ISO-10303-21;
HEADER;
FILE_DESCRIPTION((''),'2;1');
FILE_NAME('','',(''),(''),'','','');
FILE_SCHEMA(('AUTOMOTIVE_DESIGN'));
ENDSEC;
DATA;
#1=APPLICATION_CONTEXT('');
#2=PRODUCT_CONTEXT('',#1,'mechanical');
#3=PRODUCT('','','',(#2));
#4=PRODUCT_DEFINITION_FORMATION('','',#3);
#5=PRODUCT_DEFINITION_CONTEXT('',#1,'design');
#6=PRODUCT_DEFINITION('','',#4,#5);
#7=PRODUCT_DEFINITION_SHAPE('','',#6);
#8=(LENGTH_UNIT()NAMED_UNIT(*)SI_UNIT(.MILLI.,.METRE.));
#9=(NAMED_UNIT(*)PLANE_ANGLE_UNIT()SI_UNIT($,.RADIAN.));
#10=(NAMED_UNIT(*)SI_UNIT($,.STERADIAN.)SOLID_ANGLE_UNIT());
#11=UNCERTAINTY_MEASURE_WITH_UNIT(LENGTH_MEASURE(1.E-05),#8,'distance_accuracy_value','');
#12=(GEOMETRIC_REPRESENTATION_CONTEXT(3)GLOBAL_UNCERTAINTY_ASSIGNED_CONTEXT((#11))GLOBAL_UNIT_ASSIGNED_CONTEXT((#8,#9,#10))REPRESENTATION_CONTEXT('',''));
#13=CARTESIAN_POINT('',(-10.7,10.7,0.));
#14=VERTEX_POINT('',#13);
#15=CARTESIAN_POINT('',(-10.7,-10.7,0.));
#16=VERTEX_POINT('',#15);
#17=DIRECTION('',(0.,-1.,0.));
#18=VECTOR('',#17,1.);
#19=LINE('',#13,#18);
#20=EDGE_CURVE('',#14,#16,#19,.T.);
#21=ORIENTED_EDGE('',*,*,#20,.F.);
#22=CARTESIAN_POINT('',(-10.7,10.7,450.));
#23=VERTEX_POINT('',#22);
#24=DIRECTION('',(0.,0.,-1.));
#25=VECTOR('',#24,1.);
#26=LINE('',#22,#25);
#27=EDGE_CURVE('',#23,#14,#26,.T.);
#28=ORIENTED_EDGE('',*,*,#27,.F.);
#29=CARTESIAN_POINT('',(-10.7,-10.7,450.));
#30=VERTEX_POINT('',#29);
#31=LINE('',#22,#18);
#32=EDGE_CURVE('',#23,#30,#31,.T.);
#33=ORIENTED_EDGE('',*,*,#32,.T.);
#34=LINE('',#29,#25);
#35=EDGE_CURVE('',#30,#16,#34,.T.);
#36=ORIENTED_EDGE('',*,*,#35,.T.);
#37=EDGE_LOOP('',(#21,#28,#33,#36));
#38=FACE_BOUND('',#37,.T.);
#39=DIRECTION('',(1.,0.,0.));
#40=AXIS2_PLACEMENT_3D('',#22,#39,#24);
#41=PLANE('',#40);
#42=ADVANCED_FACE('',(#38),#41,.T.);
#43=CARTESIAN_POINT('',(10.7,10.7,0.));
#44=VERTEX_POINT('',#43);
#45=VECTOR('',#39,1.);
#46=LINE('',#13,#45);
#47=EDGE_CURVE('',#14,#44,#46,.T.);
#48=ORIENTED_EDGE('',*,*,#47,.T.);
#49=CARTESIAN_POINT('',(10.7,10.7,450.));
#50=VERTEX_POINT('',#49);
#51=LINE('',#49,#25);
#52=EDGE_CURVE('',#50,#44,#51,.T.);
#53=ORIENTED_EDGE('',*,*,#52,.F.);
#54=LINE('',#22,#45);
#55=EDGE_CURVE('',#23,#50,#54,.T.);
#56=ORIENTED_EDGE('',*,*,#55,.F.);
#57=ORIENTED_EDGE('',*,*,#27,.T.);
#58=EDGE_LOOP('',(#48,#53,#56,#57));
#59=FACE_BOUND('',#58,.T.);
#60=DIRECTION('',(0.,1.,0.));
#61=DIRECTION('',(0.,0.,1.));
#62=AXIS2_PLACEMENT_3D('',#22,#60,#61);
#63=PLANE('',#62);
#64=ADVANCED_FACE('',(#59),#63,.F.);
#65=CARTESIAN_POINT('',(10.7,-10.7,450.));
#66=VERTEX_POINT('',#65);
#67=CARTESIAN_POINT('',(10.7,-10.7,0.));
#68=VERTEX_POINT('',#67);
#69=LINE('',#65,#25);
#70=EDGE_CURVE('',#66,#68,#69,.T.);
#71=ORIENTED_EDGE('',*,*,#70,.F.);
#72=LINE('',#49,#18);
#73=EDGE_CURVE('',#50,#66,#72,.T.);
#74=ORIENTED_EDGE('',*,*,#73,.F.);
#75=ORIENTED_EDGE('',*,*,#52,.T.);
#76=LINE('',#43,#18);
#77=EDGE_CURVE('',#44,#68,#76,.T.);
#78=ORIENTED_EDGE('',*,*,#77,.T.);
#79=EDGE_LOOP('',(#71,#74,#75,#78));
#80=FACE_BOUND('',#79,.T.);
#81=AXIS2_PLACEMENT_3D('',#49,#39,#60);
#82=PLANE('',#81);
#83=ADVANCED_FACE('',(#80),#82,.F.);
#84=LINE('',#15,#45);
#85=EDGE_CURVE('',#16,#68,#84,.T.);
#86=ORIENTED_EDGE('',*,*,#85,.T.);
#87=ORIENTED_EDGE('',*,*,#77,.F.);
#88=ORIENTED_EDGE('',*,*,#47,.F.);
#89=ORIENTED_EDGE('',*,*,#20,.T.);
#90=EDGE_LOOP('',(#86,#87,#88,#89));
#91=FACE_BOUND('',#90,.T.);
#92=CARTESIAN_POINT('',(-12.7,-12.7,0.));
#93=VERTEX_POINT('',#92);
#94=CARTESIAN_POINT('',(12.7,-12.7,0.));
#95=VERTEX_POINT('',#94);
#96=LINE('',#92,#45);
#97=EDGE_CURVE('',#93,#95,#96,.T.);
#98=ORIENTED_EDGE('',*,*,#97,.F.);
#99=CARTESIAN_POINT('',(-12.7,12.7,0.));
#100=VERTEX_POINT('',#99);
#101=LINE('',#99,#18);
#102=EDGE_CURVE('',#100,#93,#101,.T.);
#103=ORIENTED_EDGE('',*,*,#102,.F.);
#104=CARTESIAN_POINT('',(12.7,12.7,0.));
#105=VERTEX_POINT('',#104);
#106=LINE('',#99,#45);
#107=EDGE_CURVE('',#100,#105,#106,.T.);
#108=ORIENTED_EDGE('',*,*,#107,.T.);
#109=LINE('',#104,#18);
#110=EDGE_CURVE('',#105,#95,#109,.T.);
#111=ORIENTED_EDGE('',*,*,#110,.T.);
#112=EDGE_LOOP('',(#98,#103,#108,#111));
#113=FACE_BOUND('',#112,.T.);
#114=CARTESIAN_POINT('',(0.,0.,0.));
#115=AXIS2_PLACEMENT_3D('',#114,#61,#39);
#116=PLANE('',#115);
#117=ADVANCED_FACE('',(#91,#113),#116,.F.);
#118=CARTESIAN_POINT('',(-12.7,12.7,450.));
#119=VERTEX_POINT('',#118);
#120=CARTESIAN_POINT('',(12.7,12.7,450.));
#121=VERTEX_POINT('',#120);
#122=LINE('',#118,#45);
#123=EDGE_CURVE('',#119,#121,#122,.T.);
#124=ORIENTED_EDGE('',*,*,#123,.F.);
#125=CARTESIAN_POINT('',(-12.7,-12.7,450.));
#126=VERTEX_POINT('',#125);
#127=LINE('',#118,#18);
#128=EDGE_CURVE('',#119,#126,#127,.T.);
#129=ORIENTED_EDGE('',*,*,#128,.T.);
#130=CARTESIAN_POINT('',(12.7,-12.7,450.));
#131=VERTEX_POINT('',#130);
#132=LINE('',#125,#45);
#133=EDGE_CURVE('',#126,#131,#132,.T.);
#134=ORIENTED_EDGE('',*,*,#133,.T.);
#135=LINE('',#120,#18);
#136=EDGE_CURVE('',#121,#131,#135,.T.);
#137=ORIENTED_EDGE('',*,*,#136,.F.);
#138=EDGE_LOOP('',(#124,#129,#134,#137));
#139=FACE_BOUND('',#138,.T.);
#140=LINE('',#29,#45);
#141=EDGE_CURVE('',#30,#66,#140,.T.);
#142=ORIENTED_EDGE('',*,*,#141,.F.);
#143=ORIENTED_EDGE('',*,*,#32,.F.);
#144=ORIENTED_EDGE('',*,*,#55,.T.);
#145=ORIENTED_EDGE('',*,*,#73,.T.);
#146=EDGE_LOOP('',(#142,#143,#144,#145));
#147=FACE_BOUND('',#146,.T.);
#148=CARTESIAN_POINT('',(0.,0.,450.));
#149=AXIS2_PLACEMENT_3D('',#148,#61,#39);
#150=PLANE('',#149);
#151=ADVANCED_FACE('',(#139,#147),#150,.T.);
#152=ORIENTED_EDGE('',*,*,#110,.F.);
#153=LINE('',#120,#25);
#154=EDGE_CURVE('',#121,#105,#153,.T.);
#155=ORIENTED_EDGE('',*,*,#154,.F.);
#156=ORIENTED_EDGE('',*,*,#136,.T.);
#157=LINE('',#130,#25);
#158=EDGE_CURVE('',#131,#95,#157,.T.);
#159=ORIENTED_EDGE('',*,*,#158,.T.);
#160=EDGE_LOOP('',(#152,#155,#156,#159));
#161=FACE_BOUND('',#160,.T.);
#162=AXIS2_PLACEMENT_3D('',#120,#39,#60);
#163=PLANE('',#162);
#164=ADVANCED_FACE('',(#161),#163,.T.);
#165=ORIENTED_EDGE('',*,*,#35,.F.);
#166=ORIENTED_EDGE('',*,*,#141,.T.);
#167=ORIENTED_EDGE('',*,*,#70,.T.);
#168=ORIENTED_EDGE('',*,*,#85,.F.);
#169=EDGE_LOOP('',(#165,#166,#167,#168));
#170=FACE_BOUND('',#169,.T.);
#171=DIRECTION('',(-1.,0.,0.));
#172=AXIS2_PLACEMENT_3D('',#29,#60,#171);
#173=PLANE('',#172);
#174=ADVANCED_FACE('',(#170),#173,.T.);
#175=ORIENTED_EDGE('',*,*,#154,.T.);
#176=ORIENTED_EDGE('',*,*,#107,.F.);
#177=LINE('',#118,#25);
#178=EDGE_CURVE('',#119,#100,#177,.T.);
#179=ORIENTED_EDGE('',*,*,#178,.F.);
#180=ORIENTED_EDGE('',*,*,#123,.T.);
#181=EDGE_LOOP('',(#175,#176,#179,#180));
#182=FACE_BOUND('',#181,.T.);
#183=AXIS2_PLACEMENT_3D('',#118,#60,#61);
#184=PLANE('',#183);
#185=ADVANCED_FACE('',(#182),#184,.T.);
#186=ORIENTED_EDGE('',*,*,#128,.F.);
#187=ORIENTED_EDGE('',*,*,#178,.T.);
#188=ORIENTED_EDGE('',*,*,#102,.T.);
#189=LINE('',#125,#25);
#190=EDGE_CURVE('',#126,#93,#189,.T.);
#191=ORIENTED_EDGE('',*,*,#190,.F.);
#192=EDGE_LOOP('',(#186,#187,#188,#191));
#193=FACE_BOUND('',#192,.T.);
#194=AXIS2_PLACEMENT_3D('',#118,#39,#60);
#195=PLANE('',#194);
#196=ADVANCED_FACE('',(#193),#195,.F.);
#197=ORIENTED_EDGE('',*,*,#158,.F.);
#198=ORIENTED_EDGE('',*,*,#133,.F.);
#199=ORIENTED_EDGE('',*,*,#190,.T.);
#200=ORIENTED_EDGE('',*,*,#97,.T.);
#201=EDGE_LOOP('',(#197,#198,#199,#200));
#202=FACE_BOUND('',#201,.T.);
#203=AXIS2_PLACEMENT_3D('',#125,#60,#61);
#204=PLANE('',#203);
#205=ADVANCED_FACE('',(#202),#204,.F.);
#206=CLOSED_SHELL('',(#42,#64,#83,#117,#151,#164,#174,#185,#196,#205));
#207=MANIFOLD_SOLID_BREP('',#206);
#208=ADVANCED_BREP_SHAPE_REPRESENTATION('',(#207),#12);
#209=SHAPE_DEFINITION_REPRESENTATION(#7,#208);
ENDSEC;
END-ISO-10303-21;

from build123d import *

# Parameters (mm, degrees)
SKETCH_1_W          = 25.4
SKETCH_1_H          = 25.4
EXTRUDE_1_DEPTH     = 450
SKETCH_1_3_W        = 21.4
SKETCH_1_3_H        = 21.4
CUT_EXTRUDE_1_DEPTH = 451.358279595


with BuildPart() as part:
    # 草圖1 → 填料-伸長1 (new body)
    with BuildSketch(Plane.XY):
        Rectangle(SKETCH_1_W, SKETCH_1_H)
    extrude(amount=EXTRUDE_1_DEPTH)

    # 草圖1<3> → 除料-伸長1 (cut, through all)
    with BuildSketch(Plane.XY):
        Rectangle(SKETCH_1_3_W, SKETCH_1_3_H)
    extrude(amount=CUT_EXTRUDE_1_DEPTH, mode=Mode.SUBTRACT)


solid = part.part
